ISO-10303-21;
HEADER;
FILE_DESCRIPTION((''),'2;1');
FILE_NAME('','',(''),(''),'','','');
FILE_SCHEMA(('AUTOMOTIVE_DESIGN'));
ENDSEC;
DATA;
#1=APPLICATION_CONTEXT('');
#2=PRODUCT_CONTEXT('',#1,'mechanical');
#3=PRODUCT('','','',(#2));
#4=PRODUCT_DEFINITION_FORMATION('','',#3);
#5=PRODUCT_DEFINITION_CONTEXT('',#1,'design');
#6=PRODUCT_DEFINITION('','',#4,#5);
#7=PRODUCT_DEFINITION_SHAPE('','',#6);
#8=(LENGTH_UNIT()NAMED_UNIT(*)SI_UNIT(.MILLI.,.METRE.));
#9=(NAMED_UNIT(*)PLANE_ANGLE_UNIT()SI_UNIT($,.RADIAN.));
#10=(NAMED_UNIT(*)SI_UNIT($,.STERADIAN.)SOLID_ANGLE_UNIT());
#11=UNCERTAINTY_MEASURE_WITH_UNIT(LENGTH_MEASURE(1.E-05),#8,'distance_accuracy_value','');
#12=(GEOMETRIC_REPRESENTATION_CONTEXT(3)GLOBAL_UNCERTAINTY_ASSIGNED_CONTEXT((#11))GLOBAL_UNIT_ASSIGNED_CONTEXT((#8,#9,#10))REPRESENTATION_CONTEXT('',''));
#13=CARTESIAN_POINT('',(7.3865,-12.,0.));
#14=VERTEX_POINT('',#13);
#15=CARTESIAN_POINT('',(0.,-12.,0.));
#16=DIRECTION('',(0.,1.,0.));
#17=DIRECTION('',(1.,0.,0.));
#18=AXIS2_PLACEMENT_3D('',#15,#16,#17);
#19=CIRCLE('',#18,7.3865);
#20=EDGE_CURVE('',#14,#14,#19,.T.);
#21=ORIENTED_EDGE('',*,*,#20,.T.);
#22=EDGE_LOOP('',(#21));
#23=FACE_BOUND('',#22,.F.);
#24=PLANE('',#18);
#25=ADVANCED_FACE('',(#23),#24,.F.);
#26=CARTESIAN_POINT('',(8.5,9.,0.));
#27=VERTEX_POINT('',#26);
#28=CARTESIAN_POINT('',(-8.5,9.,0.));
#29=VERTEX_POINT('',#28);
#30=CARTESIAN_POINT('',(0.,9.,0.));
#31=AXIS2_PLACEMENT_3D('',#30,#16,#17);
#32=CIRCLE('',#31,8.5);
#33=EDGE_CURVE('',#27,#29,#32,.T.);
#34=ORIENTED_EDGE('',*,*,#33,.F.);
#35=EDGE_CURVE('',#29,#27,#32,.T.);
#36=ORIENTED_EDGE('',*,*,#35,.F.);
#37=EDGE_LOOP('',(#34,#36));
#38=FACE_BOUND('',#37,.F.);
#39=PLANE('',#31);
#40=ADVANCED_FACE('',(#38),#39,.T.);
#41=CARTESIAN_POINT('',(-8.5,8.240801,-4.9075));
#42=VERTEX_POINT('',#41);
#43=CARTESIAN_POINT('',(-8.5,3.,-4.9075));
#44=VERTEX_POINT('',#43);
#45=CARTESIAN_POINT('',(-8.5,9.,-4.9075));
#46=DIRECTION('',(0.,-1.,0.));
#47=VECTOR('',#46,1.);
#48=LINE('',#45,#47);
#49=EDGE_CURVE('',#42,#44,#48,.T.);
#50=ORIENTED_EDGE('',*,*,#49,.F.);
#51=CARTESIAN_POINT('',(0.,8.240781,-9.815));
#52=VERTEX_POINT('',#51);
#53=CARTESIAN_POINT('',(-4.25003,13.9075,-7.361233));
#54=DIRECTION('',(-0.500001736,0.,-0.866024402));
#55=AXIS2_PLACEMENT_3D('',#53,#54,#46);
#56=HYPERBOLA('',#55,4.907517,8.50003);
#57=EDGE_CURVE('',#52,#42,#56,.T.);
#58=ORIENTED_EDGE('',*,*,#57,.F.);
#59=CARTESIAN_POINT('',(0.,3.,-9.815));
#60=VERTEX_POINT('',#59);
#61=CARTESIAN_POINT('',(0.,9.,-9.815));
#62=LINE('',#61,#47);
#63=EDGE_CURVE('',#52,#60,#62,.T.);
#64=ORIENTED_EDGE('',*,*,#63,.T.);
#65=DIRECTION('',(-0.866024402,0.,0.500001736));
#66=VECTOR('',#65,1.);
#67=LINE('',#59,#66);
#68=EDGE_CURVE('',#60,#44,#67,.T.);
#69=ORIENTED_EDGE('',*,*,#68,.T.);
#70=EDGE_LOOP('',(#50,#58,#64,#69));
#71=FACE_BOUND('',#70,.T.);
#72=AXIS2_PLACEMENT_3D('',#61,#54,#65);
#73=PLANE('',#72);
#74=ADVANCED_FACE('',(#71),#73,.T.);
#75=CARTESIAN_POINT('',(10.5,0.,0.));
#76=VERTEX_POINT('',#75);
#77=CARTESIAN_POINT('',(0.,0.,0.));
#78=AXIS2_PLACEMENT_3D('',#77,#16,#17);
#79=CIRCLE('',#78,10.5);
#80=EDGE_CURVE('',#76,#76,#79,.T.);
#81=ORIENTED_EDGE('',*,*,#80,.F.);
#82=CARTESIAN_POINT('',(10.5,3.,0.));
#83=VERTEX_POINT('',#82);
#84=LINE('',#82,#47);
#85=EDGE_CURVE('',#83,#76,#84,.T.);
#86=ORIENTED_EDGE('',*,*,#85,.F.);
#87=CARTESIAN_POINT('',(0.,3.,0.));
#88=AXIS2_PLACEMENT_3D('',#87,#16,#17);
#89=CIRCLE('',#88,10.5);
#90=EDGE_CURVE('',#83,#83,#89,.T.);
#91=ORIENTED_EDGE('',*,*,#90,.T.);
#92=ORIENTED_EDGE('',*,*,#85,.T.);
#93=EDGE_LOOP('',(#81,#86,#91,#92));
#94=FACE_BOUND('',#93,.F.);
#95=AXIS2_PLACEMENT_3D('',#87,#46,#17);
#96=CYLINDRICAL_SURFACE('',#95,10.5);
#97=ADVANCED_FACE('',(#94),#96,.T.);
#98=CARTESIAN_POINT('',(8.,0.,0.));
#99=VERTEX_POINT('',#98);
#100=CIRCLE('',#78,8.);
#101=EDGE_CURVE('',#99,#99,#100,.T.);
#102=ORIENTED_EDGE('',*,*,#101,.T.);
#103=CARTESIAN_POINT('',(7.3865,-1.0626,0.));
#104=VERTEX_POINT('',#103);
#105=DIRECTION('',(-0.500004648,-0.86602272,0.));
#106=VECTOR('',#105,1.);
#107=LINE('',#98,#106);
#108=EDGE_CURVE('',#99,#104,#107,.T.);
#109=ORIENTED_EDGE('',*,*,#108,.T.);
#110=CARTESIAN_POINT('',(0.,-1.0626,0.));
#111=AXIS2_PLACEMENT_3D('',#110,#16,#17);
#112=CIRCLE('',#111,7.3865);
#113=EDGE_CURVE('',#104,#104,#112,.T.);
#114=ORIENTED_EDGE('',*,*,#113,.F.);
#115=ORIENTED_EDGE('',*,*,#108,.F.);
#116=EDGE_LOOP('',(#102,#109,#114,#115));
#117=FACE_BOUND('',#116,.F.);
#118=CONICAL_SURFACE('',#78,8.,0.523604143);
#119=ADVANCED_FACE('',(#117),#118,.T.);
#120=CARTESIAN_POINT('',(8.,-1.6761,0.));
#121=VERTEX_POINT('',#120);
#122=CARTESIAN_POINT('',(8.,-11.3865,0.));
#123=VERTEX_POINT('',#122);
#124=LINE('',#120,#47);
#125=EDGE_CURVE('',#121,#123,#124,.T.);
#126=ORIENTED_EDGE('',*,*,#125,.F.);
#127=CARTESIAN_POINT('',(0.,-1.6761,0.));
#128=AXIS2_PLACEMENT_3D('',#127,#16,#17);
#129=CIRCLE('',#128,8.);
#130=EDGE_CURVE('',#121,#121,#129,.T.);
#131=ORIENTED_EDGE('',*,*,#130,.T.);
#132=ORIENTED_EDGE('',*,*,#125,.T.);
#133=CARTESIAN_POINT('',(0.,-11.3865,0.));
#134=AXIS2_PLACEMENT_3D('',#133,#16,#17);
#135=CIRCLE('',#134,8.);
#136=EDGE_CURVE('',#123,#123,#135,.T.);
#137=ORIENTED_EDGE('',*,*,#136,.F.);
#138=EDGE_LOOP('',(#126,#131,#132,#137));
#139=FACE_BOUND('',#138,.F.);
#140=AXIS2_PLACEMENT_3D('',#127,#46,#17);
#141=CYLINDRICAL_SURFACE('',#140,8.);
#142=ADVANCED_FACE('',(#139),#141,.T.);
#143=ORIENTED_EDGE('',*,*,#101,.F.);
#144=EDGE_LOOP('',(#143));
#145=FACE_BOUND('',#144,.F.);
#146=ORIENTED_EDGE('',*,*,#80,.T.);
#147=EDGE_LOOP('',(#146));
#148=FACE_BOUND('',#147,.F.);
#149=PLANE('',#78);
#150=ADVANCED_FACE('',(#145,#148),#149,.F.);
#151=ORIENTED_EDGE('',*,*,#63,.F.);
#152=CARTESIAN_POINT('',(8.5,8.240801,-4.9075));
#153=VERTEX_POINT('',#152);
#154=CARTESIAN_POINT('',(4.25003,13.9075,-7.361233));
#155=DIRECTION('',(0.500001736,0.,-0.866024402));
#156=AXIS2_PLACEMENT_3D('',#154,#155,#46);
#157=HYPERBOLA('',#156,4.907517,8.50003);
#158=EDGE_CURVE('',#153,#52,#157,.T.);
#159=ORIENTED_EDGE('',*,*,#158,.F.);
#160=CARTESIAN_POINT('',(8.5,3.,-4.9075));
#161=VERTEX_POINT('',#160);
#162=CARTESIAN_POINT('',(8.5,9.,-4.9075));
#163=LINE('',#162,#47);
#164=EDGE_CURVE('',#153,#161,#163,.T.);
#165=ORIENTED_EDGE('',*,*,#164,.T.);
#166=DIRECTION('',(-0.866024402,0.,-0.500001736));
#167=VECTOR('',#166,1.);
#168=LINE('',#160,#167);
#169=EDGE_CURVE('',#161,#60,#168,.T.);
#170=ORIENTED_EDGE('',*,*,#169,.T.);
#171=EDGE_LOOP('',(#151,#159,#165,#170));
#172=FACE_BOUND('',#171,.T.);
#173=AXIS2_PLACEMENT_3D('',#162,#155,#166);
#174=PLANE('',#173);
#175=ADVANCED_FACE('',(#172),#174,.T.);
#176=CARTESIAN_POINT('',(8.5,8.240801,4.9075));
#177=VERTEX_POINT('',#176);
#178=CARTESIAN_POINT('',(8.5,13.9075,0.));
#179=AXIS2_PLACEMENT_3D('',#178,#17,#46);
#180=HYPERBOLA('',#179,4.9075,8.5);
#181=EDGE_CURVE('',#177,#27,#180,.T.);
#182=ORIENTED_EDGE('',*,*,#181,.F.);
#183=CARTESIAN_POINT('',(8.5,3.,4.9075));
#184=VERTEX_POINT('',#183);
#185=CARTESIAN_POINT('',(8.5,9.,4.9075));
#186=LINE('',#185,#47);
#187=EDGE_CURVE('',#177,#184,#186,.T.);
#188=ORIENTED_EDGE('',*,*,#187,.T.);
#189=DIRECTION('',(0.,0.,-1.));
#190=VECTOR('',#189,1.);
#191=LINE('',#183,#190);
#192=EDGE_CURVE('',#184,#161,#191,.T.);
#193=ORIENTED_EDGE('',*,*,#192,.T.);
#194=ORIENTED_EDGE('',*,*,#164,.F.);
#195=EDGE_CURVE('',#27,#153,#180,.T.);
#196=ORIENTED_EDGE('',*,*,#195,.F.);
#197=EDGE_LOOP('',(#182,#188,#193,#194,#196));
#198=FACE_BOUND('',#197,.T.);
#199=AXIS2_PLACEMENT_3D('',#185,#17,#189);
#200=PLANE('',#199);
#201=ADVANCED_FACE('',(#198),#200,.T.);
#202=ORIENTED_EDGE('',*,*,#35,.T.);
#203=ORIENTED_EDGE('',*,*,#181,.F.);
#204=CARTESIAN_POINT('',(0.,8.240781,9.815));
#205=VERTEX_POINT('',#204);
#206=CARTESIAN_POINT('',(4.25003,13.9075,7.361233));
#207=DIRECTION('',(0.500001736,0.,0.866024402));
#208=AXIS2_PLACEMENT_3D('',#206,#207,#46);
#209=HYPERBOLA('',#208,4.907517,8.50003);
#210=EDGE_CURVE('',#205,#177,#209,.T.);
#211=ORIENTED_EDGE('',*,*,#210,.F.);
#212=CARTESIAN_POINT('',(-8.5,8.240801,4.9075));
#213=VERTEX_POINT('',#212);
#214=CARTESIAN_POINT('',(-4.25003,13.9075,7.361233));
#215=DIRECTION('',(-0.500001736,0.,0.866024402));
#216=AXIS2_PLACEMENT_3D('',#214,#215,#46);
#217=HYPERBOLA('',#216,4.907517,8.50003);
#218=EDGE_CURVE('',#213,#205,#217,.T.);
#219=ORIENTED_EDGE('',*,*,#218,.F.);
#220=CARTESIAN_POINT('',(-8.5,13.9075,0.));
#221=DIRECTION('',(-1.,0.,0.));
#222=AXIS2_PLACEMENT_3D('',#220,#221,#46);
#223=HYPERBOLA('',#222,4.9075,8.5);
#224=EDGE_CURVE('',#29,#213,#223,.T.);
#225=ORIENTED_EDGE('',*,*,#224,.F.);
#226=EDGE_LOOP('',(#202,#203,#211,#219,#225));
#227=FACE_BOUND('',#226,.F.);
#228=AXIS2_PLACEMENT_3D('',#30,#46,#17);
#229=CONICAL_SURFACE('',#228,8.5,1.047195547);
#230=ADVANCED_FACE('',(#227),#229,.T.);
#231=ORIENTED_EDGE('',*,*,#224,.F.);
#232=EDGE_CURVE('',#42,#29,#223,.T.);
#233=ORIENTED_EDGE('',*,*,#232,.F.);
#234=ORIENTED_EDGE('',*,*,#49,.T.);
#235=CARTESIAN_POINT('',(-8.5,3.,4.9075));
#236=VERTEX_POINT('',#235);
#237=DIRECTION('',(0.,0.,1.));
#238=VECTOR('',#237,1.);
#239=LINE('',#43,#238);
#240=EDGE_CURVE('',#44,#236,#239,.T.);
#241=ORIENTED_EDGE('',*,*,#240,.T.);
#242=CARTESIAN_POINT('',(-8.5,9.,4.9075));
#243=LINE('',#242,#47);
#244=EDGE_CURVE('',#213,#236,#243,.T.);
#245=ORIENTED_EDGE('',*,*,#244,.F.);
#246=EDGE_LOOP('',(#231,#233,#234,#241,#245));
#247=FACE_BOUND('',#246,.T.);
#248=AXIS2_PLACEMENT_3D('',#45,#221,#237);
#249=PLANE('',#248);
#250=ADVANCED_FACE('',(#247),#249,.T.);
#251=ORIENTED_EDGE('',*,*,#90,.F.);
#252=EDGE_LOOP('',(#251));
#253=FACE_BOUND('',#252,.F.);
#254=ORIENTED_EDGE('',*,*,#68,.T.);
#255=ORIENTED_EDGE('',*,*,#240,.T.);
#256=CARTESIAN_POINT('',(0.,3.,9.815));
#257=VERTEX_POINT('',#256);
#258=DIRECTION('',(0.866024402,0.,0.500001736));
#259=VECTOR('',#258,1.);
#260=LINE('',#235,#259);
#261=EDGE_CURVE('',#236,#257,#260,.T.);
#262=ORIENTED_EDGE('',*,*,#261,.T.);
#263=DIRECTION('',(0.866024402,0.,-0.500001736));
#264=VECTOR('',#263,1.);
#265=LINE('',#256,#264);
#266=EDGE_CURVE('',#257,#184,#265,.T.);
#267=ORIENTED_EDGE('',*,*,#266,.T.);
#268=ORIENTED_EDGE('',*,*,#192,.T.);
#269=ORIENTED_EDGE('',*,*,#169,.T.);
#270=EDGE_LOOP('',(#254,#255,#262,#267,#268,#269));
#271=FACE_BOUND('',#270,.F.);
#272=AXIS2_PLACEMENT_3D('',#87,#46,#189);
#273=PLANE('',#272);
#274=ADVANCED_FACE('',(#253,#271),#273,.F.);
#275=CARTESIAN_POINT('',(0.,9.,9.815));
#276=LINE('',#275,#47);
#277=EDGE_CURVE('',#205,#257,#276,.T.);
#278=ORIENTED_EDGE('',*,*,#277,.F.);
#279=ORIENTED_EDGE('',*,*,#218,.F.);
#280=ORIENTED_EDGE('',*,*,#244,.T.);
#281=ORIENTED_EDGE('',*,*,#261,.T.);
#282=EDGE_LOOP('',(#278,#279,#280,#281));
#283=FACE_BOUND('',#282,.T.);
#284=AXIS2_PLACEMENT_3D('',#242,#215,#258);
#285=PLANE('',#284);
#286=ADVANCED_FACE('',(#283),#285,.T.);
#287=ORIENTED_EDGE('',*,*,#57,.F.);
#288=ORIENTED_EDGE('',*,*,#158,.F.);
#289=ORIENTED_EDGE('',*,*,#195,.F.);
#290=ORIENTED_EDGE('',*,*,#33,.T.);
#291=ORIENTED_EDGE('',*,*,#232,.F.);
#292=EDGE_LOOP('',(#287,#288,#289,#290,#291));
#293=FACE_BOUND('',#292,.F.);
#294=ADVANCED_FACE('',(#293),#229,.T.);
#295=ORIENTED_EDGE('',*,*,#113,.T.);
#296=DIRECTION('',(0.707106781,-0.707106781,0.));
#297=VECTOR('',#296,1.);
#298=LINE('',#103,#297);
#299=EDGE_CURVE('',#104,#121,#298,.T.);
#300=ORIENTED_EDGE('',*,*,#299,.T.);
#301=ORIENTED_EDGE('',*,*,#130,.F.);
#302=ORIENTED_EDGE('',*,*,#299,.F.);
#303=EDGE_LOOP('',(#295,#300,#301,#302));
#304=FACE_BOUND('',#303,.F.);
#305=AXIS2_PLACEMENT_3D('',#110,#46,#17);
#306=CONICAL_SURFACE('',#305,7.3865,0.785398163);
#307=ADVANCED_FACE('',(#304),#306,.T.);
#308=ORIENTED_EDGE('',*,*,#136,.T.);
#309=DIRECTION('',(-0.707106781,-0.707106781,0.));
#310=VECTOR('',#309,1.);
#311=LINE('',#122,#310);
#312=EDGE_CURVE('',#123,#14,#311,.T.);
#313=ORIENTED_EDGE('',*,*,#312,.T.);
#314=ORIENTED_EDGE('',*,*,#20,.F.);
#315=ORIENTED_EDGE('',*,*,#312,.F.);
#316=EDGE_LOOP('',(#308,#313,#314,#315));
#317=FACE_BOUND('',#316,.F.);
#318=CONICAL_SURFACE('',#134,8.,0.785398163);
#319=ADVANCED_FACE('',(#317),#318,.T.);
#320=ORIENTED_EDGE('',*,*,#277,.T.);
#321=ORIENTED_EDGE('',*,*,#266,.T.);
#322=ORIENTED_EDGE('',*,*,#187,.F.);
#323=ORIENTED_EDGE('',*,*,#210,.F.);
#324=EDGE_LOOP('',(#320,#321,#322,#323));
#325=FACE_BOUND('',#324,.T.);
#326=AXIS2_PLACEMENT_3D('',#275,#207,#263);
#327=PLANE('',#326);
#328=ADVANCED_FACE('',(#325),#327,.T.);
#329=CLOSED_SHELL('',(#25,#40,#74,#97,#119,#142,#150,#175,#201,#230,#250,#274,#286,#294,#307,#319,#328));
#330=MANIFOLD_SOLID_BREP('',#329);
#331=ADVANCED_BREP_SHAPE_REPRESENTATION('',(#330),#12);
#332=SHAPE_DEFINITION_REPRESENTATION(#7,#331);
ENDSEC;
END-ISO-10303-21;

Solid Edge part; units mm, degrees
sketch "Sketch1" plane through (0, 0, 0) normal (0, 0, 1) x (1, 0, 0)
  line L0 (0, 9) -> (8.5, 9)
  line L1 (8.5, 9) -> (17, 4.0925)
  line L2 (17, 4.0925) -> (17, 3)
  line L3 (17, 3) -> (10.5, 3)
  line L4 (10.5, 3) -> (10.5, 0)
  line L5 (10.5, 0) -> (8, 0)
  line L6 (8, 0) -> (7.3865, -1.0626)
  line L7 (7.3865, -1.0626) -> (8, -1.6761)
  line L8 (8, -1.6761) -> (8, -11.3865)
  line L9 (8, -11.3865) -> (7.3865, -12)
  line L10 (7.3865, -12) -> (0, -12)
  line L11 (0, -12) -> (0, 9)
revolve "RevolvedProtrusion1" add sketch "Sketch1" angle 360 about axis through (0, -12, 0) along (0, 1, 0)
cosmetic_thread "Thread1" size "M16 x 1"
sketch "Sketch2" plane through (0, 9, 0) normal (0, -1, 0) x (1, 0, 0)
  circle A0 centre (0, 0) radius 21
  line L0 (-8.5, 4.9075) -> (0, 9.815)
  line L1 (0, 9.815) -> (8.5, 4.9075)
  line L2 (8.5, 4.9075) -> (8.5, -4.9075)
  line L3 (8.5, -4.9075) -> (0, -9.815)
  line L4 (0, -9.815) -> (-8.5, -4.9075)
  line L5 (-8.5, -4.9075) -> (-8.5, 4.9075)
extrude "ExtrudedCutout_1" cut sketch "Sketch2" along normal blind 6
properties part number "28016-101615"
